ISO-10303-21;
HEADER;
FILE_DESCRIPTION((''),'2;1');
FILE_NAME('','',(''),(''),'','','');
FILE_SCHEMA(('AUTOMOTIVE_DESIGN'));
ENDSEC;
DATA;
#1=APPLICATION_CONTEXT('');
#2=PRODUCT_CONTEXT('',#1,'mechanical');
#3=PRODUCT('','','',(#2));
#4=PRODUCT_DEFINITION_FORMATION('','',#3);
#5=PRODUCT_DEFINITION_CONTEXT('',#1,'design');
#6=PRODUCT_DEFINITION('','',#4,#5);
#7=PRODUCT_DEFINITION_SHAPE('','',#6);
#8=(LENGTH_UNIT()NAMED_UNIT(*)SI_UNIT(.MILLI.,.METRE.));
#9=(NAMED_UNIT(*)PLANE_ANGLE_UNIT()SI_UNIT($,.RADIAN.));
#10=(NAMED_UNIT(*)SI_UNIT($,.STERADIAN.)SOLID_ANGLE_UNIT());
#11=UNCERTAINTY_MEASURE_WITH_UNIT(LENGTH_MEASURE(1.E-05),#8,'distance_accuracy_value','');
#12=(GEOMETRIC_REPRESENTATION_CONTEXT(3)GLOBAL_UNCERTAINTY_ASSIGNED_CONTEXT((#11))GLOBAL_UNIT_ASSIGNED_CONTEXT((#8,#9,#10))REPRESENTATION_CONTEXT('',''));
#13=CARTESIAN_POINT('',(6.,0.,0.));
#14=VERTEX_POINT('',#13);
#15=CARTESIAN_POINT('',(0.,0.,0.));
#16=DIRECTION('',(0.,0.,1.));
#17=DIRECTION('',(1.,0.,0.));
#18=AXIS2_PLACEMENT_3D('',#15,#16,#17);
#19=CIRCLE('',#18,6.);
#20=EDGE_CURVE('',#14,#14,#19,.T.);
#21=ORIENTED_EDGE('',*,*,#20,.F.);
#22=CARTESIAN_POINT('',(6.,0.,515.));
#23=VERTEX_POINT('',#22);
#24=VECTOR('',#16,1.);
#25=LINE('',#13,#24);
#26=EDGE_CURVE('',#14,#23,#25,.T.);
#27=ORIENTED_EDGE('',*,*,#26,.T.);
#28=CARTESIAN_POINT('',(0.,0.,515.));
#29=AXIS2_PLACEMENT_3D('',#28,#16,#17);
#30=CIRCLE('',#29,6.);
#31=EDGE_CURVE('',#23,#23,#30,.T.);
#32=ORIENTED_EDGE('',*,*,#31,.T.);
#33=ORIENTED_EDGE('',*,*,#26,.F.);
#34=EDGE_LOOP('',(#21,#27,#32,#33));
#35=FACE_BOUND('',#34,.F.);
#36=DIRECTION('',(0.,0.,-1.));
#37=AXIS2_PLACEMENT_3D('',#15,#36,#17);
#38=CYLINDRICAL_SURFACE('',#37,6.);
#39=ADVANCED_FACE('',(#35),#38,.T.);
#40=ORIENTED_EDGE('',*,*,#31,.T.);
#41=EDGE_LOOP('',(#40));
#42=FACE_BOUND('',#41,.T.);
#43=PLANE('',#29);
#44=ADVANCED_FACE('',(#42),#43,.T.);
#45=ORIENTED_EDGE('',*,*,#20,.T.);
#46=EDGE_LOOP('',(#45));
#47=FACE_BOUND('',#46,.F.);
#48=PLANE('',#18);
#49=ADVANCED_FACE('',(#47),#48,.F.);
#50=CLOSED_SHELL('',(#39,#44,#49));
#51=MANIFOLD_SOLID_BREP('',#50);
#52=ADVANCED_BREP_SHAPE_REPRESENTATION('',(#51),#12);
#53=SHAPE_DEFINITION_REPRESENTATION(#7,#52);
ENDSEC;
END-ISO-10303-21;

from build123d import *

# Parameters (mm, degrees)
SKETCH_R  = 6
PAD_DEPTH = 515


with BuildPart() as part:
    # Sketch → Pad (new body)
    with BuildSketch(Plane.XY):
        Circle(SKETCH_R)
    extrude(amount=PAD_DEPTH)


solid = part.part
